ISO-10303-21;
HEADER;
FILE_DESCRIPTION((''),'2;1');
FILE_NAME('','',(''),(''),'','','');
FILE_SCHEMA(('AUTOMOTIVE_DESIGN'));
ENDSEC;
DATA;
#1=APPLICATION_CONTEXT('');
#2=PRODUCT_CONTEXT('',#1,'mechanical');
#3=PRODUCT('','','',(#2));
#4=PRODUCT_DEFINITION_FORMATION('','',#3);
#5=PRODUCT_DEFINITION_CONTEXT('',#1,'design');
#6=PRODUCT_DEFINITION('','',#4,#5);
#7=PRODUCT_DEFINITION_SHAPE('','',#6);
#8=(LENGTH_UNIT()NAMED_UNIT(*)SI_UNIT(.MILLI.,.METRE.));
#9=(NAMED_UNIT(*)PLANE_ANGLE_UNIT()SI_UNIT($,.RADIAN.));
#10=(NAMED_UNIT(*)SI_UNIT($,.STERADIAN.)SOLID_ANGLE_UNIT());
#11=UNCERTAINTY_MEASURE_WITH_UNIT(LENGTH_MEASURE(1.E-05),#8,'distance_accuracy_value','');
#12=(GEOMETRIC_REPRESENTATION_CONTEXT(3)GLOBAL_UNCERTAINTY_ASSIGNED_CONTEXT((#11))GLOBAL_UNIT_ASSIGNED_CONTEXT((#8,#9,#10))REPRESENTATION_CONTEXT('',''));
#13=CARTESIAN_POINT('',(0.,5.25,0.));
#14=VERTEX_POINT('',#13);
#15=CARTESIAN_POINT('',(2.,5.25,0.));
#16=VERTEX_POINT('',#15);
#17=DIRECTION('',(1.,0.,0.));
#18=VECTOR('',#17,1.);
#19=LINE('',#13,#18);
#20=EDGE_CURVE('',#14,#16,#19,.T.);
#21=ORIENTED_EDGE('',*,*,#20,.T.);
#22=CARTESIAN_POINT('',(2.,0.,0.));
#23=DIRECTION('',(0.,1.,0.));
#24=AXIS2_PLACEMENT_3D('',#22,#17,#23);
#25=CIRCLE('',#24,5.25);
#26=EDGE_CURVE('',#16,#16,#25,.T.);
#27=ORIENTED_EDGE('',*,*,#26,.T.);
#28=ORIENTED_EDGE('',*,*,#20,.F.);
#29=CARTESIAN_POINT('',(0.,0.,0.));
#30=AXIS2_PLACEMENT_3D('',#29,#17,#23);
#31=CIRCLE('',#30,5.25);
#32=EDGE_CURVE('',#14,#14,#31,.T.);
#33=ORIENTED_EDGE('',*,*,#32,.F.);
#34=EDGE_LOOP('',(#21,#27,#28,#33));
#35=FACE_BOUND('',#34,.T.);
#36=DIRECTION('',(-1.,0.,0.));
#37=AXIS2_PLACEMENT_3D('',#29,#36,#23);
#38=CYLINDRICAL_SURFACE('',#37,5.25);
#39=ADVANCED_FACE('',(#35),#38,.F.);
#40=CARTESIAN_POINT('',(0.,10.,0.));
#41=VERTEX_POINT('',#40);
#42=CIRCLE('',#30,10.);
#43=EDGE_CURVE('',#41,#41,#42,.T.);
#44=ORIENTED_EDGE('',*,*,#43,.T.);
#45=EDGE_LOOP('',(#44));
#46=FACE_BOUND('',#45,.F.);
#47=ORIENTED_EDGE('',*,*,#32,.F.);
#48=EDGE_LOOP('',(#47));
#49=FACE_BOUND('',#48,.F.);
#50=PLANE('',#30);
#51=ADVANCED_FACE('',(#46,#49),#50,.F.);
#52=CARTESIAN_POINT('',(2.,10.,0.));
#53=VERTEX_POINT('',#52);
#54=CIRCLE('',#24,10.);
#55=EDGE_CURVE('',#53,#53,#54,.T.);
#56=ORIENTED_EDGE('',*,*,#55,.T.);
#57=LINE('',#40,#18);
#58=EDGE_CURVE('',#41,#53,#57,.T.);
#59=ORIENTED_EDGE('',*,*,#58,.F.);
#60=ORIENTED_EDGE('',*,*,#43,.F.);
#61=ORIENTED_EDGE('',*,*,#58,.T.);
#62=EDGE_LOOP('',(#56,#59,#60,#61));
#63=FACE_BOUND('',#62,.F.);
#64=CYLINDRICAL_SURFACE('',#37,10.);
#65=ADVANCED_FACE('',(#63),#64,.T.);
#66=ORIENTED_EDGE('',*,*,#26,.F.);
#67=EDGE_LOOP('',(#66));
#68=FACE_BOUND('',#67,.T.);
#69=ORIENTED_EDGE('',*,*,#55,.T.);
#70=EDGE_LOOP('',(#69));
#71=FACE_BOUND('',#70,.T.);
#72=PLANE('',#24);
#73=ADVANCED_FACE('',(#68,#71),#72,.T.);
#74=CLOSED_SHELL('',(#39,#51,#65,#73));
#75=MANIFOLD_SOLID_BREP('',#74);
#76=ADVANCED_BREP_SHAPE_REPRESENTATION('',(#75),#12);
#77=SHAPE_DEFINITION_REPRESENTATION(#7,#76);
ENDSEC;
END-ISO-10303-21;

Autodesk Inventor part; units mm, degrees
ref_plane "YZ Plane" through (0, 0, 0) normal (1, 0, 0) x (0, 1, 0)
ref_plane "XZ Plane" through (0, 0, 0) normal (0, 1, 0) x (-1, 0, 0)
sketch "Skizze" plane through (0, 0, 0) normal (1, 0, 0) x (0, 1, 0)
  circle A0 centre (0, 0) radius 10
  circle A1 centre (0, 0) radius 5.25
  dimension "d0" = 10.5
  dimension "d1" = 20
extrude "Körper" add sketch "Skizze" along normal blind 2
ref_plane "Work Plane1" through (0, 0, 0) normal (0, 0, 1) x (1, 0, 0)
equation "\"d0\" = SD1"
equation "\"d1\" = SD2"
equation "\"d2\" = SD"
equation "\"SD1\" = 10.5"
equation "\"SD2\" = 20"
equation "\"SD\" = 2"
properties part number "ISO 7089 - 10" material "Edelstahl"
